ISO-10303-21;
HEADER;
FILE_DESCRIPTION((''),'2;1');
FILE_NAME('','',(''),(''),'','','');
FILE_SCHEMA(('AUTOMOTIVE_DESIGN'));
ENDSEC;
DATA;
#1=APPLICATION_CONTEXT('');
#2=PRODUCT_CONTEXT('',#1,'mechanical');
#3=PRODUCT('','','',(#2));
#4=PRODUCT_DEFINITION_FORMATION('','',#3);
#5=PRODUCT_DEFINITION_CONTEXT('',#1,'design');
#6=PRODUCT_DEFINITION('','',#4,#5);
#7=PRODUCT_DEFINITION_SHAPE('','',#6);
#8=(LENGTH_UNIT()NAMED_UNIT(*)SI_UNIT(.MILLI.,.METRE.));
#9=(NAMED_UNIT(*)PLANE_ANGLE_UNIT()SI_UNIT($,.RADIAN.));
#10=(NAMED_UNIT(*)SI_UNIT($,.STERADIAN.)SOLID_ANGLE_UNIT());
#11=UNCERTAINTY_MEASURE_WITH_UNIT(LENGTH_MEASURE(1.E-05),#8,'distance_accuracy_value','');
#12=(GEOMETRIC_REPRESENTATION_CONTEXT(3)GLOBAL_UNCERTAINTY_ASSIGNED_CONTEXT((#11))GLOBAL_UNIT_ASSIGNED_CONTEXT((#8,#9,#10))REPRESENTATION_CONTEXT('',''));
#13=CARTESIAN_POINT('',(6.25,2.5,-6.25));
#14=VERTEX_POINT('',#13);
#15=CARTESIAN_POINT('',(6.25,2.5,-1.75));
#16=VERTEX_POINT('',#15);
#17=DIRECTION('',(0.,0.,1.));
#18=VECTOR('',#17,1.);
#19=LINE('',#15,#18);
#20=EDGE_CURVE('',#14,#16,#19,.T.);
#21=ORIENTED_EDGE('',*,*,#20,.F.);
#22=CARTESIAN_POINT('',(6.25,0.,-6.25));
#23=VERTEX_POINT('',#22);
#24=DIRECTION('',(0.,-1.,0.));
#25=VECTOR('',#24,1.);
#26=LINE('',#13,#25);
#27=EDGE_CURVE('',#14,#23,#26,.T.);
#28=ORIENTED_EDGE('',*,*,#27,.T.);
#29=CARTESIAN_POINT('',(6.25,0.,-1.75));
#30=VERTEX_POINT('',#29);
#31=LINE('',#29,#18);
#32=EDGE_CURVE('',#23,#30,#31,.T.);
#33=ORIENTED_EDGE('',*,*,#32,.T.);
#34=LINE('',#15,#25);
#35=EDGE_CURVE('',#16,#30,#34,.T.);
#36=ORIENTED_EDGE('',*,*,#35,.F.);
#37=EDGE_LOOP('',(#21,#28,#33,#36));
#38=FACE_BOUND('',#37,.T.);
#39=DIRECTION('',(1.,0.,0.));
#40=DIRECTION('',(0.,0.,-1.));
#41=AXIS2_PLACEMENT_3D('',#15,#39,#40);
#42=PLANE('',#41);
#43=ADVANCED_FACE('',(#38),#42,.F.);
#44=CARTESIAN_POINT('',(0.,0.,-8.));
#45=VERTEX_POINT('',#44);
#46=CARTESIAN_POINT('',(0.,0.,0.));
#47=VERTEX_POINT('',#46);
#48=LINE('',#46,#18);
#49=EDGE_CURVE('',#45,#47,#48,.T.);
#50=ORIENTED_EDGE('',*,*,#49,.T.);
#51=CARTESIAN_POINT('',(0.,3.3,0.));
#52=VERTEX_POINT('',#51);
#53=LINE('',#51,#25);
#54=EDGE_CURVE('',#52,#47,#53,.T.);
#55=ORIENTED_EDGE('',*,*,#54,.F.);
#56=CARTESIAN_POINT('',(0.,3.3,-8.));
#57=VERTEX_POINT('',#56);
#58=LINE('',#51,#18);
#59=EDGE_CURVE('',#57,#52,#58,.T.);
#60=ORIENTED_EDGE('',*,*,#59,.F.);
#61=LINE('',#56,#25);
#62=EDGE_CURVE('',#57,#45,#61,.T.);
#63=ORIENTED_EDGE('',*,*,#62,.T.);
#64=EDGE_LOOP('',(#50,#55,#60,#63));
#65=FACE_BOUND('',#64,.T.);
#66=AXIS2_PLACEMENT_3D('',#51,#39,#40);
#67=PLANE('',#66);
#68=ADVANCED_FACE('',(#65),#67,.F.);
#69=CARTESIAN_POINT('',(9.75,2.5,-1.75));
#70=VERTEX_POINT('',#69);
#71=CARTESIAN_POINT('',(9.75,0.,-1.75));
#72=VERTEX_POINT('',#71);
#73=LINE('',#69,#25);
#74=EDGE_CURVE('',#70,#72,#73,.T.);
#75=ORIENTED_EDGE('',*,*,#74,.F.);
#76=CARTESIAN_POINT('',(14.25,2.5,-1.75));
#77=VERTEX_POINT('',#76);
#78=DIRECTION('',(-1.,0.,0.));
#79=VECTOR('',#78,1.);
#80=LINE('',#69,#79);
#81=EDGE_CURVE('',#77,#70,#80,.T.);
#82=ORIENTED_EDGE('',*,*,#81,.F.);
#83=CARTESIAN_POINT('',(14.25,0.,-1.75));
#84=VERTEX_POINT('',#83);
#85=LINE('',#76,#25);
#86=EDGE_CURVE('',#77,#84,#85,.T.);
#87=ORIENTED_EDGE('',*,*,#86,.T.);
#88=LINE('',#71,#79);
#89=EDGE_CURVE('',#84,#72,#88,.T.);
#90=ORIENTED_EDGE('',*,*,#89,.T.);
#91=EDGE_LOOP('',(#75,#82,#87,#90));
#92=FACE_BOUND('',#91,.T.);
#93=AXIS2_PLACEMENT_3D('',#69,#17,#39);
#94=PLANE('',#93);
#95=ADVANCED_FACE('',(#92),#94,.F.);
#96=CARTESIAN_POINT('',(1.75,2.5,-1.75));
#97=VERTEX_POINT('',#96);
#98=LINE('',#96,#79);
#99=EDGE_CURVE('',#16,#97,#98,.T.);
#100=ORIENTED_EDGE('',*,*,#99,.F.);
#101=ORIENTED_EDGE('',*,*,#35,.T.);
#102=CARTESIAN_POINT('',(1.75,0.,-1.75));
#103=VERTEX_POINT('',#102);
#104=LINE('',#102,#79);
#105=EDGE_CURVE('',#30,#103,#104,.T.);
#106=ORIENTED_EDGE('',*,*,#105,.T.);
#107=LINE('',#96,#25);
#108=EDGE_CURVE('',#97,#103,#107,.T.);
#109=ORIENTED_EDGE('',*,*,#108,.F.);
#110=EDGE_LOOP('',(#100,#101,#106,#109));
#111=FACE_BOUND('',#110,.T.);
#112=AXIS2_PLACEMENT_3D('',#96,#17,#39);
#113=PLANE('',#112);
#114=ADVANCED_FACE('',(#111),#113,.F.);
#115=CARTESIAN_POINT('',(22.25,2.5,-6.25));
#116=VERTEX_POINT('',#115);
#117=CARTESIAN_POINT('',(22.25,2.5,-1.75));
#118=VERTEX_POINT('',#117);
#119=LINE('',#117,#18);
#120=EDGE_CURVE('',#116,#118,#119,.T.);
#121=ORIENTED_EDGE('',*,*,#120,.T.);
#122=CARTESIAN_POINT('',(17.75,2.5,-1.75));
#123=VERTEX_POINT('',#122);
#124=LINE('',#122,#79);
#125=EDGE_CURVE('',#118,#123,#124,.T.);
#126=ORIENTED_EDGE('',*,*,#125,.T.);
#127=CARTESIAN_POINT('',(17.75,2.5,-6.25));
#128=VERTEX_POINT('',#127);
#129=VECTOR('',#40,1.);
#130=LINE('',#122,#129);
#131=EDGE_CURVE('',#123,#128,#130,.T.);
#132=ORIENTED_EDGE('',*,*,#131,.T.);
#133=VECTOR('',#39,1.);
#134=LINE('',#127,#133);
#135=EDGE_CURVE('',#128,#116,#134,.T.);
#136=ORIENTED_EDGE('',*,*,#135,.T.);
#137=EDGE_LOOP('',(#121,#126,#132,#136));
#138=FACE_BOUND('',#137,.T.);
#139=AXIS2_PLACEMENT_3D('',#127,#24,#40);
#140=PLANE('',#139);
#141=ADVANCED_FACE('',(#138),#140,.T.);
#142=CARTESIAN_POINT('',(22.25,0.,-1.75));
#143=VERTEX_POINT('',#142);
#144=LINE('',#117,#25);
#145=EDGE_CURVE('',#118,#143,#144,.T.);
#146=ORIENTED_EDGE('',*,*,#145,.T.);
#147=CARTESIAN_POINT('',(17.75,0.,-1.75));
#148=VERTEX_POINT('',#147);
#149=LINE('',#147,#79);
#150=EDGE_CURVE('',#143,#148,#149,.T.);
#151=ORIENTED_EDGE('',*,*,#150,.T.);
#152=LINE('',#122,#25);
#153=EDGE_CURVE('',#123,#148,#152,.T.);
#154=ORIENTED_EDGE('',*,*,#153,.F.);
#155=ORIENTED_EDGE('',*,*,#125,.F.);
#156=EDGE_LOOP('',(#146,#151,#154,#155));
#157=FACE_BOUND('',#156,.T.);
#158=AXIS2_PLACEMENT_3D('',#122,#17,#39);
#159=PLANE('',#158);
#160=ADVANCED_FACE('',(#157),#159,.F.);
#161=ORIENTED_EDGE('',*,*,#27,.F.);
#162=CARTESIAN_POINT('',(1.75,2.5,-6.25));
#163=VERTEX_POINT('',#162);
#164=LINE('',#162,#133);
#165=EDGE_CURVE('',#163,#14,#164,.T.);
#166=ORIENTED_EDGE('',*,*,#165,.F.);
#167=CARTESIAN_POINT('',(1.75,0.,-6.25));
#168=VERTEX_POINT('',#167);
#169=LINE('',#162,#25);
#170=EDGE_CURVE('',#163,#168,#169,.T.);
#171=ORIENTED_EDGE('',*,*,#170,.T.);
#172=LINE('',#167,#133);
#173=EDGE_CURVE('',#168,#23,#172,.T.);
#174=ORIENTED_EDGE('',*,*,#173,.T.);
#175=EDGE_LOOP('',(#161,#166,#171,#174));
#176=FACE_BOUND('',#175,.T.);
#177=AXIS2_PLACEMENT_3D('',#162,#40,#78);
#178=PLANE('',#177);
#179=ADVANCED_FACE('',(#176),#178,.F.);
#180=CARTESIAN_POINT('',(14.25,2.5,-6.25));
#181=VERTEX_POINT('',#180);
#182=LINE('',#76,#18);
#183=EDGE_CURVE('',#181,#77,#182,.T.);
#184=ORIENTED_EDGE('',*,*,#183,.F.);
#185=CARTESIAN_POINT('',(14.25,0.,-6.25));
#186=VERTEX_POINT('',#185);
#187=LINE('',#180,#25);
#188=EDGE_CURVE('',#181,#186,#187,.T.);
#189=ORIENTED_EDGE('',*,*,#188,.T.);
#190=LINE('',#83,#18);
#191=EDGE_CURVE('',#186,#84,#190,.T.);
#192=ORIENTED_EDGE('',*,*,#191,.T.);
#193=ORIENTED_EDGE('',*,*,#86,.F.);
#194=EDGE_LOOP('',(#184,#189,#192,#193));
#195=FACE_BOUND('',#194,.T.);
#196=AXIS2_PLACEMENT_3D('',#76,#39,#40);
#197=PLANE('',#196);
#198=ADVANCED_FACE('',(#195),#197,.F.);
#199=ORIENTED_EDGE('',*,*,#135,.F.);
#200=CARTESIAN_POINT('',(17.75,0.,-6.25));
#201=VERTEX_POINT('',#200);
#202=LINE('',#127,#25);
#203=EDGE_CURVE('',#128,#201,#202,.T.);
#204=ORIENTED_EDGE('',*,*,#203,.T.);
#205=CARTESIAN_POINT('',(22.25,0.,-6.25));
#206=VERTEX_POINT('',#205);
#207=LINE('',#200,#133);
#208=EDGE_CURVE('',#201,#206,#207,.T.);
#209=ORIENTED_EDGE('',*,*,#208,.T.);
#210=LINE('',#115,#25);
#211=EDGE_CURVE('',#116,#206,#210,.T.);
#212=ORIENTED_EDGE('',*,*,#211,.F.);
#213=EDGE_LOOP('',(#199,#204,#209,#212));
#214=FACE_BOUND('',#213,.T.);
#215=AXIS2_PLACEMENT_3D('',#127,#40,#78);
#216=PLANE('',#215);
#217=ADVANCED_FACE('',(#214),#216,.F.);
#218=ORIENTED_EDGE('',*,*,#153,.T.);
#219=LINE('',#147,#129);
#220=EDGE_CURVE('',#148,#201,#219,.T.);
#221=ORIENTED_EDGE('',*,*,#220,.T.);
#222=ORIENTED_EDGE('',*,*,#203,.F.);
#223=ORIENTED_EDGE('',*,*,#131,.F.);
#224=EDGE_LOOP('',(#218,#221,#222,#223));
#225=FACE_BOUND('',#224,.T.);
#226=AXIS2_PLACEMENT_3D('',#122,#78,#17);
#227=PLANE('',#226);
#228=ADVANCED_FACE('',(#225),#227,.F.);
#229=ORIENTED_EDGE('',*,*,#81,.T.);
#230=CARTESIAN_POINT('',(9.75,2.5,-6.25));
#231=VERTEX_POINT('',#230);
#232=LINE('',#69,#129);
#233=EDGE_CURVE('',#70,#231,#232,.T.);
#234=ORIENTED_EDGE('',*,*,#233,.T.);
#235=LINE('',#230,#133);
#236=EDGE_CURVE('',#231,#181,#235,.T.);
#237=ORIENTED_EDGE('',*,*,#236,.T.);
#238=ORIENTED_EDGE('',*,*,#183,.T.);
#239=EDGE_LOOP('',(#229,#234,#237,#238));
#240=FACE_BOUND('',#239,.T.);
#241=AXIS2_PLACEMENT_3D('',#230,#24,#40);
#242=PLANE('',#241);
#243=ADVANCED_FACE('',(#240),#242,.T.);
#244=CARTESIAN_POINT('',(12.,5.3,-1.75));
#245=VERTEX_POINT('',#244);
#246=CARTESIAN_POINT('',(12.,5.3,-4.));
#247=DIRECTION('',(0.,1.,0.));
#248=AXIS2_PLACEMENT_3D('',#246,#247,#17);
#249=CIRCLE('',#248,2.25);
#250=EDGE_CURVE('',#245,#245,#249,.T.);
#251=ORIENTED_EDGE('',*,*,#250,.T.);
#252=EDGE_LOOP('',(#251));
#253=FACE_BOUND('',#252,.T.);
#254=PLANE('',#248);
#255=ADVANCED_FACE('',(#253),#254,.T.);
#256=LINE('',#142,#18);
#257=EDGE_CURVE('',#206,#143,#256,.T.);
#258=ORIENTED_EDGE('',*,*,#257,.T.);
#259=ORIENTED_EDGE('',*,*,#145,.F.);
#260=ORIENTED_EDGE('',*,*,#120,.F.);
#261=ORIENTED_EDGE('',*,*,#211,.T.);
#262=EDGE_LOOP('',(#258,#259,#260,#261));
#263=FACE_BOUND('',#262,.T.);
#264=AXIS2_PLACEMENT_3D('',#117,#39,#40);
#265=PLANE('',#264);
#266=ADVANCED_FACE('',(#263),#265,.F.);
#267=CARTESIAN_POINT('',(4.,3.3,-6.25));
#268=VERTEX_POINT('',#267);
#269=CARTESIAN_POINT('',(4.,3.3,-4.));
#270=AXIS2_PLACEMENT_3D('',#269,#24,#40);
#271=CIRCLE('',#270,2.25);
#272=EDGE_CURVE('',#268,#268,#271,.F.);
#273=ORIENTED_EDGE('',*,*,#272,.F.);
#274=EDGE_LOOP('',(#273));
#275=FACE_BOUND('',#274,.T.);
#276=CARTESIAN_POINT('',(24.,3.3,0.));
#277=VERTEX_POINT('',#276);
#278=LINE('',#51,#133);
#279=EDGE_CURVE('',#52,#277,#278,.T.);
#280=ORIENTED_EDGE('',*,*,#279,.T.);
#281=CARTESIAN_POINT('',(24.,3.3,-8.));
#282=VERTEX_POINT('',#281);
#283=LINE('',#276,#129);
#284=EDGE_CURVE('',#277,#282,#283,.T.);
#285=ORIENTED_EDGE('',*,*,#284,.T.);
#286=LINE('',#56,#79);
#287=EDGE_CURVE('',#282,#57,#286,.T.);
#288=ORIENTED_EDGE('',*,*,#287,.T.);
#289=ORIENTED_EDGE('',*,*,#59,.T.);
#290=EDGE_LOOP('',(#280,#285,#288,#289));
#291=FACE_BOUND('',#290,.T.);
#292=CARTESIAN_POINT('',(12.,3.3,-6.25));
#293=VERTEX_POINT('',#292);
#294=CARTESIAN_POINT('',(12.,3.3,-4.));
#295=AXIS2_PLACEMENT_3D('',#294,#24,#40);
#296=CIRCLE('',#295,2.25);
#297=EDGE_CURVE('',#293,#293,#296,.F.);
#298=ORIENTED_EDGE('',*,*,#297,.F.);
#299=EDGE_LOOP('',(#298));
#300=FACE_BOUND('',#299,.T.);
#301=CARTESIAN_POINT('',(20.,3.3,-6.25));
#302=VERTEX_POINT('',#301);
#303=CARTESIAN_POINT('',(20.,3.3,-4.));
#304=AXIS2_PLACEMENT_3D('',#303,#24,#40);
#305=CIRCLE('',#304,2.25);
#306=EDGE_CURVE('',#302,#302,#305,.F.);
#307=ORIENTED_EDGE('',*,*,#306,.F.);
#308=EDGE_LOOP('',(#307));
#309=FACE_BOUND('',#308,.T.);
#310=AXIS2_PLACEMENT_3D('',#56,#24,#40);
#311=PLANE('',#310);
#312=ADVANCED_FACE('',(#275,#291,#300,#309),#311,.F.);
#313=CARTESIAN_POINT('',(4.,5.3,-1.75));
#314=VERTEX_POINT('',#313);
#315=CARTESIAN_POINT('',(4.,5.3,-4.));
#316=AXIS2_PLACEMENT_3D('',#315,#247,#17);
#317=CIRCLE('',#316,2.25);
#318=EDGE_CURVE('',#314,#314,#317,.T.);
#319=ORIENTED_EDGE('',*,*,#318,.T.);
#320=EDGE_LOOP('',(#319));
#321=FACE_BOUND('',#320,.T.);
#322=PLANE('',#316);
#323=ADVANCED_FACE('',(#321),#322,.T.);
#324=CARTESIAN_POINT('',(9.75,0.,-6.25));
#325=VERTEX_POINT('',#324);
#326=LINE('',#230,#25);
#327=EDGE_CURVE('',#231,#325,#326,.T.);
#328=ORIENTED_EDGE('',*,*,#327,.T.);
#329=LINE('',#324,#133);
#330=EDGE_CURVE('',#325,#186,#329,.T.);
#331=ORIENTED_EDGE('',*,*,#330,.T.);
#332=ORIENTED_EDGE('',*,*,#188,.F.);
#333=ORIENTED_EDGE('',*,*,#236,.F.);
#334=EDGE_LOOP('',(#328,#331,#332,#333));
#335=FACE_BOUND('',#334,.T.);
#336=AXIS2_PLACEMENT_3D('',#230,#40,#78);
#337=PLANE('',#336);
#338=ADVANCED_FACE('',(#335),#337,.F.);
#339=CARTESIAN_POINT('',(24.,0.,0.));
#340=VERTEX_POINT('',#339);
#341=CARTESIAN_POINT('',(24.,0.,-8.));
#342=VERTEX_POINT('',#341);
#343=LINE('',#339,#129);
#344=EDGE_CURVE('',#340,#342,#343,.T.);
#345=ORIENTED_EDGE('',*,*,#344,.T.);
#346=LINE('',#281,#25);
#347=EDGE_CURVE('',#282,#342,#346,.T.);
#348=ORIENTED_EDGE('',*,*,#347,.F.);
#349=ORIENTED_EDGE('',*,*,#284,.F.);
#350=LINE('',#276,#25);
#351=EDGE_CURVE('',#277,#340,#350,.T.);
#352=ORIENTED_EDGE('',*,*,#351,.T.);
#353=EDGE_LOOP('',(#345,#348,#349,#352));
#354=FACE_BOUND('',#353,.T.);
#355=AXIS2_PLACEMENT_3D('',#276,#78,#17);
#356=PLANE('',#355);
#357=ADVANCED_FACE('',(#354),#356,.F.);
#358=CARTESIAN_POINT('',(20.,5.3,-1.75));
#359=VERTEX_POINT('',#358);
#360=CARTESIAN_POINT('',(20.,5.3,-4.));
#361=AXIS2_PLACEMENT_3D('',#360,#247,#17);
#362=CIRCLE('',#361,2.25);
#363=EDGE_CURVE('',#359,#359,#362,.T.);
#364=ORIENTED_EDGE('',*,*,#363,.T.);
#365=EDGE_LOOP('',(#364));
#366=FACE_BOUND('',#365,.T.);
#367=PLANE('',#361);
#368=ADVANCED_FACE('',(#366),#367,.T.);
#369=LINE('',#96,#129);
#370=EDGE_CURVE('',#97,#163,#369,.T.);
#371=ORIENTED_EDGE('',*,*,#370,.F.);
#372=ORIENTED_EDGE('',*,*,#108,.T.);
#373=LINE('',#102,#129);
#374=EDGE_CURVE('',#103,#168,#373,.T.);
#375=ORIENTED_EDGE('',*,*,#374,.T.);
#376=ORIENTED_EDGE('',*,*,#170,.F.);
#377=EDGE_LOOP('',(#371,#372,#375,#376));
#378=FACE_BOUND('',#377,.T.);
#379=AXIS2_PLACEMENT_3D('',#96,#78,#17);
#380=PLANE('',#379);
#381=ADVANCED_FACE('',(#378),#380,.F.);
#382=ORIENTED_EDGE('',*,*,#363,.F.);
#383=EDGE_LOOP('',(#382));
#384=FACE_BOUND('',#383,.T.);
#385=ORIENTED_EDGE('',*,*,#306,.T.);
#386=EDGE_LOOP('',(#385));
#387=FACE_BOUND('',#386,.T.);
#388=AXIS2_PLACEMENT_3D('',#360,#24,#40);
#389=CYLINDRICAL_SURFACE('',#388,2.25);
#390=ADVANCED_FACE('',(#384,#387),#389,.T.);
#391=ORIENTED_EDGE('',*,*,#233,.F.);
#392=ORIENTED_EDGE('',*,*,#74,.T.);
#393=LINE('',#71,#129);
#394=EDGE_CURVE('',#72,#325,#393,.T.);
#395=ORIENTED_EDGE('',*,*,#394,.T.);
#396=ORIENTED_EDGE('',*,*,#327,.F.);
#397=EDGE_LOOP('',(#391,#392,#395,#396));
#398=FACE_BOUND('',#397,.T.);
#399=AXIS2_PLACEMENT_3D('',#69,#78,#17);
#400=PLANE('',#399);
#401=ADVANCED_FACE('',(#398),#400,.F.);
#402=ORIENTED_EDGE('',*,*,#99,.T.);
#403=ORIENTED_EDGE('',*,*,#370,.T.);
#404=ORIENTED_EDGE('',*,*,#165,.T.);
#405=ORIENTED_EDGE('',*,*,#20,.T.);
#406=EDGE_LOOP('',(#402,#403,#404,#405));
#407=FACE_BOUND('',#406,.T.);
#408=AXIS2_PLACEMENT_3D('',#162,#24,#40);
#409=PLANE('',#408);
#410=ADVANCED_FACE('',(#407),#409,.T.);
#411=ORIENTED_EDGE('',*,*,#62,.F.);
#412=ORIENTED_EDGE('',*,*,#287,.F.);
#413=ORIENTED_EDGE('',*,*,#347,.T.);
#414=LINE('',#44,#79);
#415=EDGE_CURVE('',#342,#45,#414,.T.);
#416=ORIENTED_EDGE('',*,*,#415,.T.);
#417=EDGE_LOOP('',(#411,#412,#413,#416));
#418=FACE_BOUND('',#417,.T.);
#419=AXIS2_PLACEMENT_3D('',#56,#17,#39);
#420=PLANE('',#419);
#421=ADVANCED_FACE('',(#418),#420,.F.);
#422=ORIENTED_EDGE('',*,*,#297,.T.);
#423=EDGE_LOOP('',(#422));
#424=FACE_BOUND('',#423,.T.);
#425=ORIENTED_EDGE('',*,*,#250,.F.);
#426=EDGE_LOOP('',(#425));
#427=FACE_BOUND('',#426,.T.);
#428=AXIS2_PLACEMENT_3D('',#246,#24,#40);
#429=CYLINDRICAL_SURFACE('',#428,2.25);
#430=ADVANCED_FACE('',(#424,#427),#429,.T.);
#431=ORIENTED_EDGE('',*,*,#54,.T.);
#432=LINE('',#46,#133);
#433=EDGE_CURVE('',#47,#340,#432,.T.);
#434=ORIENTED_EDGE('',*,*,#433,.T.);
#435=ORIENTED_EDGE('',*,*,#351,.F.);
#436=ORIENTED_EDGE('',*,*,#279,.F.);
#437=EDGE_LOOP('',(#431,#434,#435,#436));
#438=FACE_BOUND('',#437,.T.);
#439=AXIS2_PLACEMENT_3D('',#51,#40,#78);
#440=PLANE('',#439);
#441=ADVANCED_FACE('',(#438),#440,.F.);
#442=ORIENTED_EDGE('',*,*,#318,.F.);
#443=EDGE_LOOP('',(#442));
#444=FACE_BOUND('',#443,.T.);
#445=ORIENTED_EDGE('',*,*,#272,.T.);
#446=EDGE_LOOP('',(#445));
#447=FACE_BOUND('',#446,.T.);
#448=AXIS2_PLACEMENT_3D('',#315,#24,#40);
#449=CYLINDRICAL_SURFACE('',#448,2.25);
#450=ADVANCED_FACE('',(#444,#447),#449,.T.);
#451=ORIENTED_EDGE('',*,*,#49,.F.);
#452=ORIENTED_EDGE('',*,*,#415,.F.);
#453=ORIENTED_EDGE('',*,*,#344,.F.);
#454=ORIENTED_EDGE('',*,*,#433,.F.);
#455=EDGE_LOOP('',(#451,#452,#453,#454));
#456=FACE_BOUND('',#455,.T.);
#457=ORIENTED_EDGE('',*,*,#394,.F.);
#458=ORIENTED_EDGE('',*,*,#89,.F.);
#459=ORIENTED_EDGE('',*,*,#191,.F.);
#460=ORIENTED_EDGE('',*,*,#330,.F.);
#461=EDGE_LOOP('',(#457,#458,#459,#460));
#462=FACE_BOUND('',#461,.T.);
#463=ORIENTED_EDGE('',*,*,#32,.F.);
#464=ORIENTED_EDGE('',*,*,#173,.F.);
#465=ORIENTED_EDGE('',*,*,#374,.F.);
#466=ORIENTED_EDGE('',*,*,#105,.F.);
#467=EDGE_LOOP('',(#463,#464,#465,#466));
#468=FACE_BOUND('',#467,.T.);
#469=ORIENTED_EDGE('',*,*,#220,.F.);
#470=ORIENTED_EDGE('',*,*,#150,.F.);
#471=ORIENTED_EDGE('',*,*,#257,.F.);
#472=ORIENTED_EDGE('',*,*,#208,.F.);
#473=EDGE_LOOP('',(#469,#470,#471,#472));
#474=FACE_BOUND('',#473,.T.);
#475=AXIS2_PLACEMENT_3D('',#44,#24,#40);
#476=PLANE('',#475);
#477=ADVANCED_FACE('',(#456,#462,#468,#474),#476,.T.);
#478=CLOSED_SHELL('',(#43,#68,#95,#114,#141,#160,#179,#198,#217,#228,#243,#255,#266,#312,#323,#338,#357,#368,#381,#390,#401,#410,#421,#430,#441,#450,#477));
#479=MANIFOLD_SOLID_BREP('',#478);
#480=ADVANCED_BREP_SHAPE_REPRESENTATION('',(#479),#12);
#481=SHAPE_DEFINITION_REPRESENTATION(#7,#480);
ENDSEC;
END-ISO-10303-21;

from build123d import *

# Parameters (mm, degrees)
SKETCH1_W       = 24
SKETCH1_H       = 8
EXTRUDE1_DEPTH  = 3.3
SKETCH2_R       = 2.25
EXTRUDE2_DEPTH  = 2
SKETCH3_W       = 4.5
SKETCH3_H       = 4.5
EXTRUDE3_DEPTH  = 2.5
LPATTERN1_COUNT = 4
LPATTERN1_PITCH = 8
LPATTERN2_COUNT = 4
LPATTERN2_PITCH = 8


with BuildPart() as part:
    # Sketch1 → Extrude1 (new body)
    with BuildSketch(Plane(origin=(0, 0, 0), x_dir=(1, 0, 0), z_dir=(0, 1, 0))):
        with Locations((12, 4)):
            Rectangle(SKETCH1_W, SKETCH1_H)
    extrude(amount=EXTRUDE1_DEPTH)

    # Sketch2 → Extrude2 (add)
    with BuildSketch(Plane(origin=(0, 3.3, 0), x_dir=(1, 0, 0), z_dir=(0, 1, 0))):
        with Locations(Location((4, 4, 0), (0, 0, 90))):
            Circle(SKETCH2_R)
    extrude2 = extrude(amount=EXTRUDE2_DEPTH)

    # Sketch3 → Extrude3 (cut)
    with BuildSketch(Plane.XZ):
        with Locations((20, -4)):
            Rectangle(SKETCH3_W, SKETCH3_H)
    extrude3 = extrude(amount=-EXTRUDE3_DEPTH, mode=Mode.SUBTRACT)

    # LPattern1: Extrude2 ×4, 1 skipped
    with Locations(*[(i * LPATTERN1_PITCH, 0, 0) for i in range(1, LPATTERN1_COUNT) if i not in (3,)]):
        add(extrude2)

    # LPattern2: Extrude3 ×4
    with Locations(*[(-i * LPATTERN2_PITCH, 0, 0) for i in range(1, LPATTERN2_COUNT)]):
        add(extrude3, mode=Mode.SUBTRACT)


solid = part.part
